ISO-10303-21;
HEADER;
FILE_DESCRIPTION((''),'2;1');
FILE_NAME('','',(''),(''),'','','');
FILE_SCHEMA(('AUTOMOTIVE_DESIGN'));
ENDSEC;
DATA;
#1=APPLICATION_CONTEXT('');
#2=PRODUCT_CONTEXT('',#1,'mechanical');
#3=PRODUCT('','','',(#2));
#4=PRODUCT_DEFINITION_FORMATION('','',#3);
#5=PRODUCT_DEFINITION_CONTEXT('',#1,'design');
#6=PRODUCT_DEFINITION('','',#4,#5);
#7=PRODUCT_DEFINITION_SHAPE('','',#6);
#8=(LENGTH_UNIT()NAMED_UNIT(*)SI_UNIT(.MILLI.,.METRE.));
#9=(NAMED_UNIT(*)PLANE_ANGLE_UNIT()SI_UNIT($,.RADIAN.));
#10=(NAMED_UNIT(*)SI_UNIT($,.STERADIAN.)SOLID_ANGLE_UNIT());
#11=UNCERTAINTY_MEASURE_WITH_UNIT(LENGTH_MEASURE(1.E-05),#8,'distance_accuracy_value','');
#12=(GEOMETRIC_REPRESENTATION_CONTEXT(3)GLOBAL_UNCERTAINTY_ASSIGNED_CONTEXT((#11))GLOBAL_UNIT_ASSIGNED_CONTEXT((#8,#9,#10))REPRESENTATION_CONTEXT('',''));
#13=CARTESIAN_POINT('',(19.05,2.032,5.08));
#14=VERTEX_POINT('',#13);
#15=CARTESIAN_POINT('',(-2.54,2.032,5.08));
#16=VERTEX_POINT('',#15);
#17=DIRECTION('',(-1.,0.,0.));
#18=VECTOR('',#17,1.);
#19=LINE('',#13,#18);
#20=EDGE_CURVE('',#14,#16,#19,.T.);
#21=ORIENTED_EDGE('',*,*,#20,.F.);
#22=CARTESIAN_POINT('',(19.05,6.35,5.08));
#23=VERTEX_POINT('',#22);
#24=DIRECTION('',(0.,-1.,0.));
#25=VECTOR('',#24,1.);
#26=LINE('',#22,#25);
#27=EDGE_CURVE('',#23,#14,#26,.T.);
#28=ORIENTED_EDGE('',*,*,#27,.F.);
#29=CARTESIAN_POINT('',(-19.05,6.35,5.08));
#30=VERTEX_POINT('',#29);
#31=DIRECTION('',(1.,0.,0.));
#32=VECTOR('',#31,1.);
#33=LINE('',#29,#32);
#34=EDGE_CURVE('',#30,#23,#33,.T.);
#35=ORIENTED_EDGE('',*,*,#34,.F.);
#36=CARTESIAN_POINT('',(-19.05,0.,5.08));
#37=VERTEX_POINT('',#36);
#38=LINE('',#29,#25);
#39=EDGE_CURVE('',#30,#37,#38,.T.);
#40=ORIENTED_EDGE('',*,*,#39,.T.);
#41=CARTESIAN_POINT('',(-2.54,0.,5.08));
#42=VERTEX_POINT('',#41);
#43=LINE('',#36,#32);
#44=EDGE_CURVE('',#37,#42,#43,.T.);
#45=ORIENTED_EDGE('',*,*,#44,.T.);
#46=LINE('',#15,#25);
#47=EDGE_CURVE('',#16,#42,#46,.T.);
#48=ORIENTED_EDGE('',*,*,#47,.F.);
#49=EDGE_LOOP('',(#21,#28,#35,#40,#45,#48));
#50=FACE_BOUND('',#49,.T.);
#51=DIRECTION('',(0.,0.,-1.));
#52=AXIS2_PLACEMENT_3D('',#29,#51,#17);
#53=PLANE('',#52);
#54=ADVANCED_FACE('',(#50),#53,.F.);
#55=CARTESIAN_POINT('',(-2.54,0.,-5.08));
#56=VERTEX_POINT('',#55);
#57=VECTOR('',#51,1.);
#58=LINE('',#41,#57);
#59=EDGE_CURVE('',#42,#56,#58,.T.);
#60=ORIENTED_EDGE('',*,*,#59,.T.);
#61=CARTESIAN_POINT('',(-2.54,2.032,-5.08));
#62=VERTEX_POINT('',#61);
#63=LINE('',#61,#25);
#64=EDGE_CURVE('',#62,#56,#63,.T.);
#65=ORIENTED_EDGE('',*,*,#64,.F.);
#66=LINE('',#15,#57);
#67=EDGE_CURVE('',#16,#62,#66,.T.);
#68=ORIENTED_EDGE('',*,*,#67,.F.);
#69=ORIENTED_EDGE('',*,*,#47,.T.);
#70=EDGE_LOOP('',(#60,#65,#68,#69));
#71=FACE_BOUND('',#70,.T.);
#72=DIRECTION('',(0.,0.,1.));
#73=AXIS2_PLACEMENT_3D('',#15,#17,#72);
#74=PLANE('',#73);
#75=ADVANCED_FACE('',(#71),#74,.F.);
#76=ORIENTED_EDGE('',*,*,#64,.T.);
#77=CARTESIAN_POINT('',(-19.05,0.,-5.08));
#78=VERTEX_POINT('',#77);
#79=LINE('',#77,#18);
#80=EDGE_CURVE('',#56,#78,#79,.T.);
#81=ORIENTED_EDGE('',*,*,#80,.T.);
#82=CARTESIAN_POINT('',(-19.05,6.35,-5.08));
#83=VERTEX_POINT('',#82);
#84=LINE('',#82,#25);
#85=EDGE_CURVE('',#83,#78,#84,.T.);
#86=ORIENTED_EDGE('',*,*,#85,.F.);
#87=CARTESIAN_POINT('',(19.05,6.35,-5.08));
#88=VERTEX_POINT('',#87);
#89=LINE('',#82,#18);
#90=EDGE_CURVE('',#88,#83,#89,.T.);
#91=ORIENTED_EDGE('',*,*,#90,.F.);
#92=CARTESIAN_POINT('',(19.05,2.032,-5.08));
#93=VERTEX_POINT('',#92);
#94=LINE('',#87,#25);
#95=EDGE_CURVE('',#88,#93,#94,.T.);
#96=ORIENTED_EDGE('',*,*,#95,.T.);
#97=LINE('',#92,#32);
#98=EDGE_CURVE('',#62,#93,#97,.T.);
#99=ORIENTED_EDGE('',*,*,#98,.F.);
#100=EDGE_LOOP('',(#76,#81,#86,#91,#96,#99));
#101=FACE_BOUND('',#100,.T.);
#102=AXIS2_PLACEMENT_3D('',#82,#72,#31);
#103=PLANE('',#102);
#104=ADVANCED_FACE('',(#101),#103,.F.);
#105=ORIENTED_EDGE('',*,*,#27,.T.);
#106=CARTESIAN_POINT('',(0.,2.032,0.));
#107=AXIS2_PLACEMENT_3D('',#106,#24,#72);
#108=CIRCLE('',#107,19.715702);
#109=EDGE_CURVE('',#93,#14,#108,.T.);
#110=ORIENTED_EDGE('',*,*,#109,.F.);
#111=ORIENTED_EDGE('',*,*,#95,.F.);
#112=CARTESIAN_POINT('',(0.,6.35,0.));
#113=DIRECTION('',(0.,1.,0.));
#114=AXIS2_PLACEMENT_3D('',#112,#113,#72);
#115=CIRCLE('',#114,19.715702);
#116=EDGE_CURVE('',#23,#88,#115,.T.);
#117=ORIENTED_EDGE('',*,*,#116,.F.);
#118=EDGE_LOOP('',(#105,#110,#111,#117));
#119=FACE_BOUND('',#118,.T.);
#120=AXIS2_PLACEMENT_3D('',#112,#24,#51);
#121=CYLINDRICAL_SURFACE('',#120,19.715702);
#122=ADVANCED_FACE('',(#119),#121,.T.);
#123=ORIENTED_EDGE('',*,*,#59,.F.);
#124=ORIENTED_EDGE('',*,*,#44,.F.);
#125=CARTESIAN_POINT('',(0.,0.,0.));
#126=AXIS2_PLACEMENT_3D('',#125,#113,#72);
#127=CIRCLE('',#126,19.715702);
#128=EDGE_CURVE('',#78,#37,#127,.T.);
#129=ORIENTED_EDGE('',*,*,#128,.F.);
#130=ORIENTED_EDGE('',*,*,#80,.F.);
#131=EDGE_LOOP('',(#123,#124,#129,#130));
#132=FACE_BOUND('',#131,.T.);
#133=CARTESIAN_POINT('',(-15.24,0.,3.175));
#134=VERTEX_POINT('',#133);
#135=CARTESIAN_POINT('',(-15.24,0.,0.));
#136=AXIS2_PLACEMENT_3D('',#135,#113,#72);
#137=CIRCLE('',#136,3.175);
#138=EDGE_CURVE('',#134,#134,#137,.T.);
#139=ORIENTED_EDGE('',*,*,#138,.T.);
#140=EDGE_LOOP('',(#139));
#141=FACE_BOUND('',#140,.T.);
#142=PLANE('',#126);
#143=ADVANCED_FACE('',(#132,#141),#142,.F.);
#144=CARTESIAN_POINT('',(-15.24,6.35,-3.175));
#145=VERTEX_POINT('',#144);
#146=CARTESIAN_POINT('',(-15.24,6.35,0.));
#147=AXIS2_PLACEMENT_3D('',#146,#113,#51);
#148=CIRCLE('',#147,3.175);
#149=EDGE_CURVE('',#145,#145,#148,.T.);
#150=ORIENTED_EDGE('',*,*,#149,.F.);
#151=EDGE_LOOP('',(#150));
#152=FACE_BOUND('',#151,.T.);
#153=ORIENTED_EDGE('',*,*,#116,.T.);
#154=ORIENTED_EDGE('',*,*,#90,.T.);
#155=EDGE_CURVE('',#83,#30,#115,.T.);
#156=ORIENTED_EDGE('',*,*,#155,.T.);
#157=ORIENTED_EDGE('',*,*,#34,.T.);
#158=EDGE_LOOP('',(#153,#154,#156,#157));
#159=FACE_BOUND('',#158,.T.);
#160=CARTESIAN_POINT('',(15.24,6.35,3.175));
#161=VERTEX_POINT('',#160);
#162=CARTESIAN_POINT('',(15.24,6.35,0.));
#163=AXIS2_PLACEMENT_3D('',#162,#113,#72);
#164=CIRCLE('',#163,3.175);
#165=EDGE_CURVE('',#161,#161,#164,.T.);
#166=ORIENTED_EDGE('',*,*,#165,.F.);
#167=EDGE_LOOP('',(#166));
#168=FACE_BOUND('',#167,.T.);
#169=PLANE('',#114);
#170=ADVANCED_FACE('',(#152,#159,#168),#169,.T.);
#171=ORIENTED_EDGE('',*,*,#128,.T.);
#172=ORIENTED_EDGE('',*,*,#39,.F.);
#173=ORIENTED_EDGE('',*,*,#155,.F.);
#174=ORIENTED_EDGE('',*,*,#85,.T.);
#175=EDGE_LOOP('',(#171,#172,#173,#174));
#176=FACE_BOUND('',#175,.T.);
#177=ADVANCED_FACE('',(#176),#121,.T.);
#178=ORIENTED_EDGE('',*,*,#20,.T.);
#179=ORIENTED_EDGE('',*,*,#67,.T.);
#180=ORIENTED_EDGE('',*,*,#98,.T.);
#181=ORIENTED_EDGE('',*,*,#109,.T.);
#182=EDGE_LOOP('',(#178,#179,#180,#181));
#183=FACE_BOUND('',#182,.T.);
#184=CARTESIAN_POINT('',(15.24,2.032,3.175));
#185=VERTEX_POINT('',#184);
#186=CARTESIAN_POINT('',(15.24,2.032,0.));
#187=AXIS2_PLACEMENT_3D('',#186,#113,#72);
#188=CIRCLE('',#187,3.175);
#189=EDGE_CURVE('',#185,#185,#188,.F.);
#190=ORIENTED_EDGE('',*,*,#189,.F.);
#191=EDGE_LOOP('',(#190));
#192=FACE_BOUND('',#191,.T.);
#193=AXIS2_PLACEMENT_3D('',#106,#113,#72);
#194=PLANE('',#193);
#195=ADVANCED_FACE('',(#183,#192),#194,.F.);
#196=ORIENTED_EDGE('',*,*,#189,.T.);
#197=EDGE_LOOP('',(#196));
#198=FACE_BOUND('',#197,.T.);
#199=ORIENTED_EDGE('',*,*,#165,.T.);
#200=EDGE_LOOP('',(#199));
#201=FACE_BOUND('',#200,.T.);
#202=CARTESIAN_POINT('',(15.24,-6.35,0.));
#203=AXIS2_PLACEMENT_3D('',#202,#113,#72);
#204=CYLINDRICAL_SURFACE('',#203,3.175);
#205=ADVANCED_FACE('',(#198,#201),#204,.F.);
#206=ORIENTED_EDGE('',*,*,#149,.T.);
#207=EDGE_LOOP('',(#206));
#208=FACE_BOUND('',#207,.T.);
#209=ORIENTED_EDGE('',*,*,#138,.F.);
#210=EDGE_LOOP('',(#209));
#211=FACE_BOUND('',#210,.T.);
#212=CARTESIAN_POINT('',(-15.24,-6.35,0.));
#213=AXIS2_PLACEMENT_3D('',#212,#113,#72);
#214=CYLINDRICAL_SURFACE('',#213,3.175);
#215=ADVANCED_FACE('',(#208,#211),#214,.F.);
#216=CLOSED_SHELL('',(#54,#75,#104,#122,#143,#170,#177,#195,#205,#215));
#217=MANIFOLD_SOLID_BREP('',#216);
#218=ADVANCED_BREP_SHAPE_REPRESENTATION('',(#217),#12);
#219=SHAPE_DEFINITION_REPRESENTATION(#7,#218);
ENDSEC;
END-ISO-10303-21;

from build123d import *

# Parameters (mm, degrees)
BOSS_EXTRUDE2_DEPTH = 6.35
SKETCH4_R           = 3.175
CUT_EXTRUDE1_DEPTH  = 12.7
CUT_EXTRUDE2_DEPTH  = 2.032


with BuildPart() as part:
    # Sketch3 → Boss-Extrude2 (new body)
    with BuildSketch(Plane(origin=(0, 0, 0), x_dir=(1, 0, 0), z_dir=(0, 1, 0))):
        with BuildLine():
            Line((-19.05, 5.08), (19.05, 5.08))
            ThreePointArc((19.05, 5.08), (19.715701864, 0), (19.05, -5.08))
            Line((19.05, -5.08), (-19.05, -5.08))
            ThreePointArc((-19.05, -5.08), (-19.715701864, 0), (-19.05, 5.08))
        make_face()
    extrude(amount=BOSS_EXTRUDE2_DEPTH)

    # Sketch4 → Cut-Extrude1 (cut)
    with BuildSketch(Plane(origin=(0, 6.35, 0), x_dir=(1, 0, 0), z_dir=(0, 1, 0))):
        with Locations((15.24, 0)):
            Circle(SKETCH4_R)
        with Locations((-15.24, 0)):
            Circle(SKETCH4_R)
    extrude(amount=-CUT_EXTRUDE1_DEPTH, mode=Mode.SUBTRACT)

    # Sketch5 → Cut-Extrude2 (cut)
    with BuildSketch(Plane.XZ):
        with BuildLine():
            Line((19.05, 5.08), (-2.54, 5.08))
            Line((-2.54, 5.08), (-2.54, -5.08))
            Line((-2.54, -5.08), (19.05, -5.08))
            ThreePointArc((19.05, -5.08), (19.715701864, 0), (19.05, 5.08))
        make_face()
    extrude(amount=-CUT_EXTRUDE2_DEPTH, mode=Mode.SUBTRACT)


solid = part.part
